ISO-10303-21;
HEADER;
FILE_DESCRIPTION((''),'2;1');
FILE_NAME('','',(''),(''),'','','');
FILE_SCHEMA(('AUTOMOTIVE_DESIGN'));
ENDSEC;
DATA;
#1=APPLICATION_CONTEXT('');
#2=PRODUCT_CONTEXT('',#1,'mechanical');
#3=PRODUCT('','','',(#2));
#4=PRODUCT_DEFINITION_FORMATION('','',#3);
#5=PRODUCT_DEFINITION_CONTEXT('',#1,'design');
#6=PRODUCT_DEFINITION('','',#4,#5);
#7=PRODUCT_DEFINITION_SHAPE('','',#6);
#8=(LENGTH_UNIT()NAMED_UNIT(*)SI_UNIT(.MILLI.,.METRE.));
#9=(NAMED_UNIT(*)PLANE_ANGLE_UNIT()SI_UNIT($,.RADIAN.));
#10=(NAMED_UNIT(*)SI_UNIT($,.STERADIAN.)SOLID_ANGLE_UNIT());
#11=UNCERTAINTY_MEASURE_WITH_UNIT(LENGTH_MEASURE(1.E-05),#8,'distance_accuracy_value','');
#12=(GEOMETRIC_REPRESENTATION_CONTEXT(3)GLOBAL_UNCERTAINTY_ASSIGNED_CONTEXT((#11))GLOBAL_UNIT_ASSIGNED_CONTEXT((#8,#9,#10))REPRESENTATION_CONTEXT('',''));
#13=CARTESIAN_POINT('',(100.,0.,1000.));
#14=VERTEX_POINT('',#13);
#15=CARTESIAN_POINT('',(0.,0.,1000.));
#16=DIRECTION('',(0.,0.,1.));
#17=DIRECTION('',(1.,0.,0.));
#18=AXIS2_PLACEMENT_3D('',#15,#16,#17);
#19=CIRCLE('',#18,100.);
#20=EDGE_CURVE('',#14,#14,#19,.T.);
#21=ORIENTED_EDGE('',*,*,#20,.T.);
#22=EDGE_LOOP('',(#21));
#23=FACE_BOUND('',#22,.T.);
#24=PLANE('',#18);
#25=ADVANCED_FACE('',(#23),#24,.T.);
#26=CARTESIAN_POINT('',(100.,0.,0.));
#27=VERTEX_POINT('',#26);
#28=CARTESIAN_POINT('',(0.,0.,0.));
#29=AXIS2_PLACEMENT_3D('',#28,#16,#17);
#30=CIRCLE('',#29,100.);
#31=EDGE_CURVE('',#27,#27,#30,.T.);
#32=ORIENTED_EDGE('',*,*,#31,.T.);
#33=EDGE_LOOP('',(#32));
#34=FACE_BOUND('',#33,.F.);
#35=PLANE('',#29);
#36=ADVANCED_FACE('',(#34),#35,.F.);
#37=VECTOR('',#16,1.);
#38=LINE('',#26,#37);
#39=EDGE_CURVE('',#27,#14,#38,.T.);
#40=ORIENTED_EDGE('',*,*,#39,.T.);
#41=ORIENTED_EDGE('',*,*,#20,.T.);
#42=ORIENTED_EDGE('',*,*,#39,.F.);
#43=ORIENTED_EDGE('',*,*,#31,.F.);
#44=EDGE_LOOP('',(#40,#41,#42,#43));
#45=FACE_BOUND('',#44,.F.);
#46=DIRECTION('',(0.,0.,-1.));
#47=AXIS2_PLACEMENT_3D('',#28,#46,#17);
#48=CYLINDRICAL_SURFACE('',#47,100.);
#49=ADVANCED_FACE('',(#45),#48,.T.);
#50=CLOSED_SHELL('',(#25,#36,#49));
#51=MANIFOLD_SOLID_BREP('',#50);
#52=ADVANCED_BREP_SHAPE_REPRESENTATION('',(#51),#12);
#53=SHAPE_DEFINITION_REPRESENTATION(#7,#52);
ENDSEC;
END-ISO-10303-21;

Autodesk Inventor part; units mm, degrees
ref_plane "YZ Plane" through (0, 0, 0) normal (1, 0, 0) x (0, 1, 0)
ref_plane "XZ Plane" through (0, 0, 0) normal (0, 1, 0) x (-1, 0, 0)
ref_plane "XY Plane" through (0, 0, 0) normal (0, 0, 1) x (1, 0, 0)
sketch "Skizze1" plane through (0, 0, 0) normal (0, 0, 1) x (1, 0, 0)
  circle A0 centre (0, 0) radius 100
  dimension "d0" = 200
extrude "Extrusion1" add sketch "Skizze1" along normal blind 1000
properties material "Stahl, Guss"
